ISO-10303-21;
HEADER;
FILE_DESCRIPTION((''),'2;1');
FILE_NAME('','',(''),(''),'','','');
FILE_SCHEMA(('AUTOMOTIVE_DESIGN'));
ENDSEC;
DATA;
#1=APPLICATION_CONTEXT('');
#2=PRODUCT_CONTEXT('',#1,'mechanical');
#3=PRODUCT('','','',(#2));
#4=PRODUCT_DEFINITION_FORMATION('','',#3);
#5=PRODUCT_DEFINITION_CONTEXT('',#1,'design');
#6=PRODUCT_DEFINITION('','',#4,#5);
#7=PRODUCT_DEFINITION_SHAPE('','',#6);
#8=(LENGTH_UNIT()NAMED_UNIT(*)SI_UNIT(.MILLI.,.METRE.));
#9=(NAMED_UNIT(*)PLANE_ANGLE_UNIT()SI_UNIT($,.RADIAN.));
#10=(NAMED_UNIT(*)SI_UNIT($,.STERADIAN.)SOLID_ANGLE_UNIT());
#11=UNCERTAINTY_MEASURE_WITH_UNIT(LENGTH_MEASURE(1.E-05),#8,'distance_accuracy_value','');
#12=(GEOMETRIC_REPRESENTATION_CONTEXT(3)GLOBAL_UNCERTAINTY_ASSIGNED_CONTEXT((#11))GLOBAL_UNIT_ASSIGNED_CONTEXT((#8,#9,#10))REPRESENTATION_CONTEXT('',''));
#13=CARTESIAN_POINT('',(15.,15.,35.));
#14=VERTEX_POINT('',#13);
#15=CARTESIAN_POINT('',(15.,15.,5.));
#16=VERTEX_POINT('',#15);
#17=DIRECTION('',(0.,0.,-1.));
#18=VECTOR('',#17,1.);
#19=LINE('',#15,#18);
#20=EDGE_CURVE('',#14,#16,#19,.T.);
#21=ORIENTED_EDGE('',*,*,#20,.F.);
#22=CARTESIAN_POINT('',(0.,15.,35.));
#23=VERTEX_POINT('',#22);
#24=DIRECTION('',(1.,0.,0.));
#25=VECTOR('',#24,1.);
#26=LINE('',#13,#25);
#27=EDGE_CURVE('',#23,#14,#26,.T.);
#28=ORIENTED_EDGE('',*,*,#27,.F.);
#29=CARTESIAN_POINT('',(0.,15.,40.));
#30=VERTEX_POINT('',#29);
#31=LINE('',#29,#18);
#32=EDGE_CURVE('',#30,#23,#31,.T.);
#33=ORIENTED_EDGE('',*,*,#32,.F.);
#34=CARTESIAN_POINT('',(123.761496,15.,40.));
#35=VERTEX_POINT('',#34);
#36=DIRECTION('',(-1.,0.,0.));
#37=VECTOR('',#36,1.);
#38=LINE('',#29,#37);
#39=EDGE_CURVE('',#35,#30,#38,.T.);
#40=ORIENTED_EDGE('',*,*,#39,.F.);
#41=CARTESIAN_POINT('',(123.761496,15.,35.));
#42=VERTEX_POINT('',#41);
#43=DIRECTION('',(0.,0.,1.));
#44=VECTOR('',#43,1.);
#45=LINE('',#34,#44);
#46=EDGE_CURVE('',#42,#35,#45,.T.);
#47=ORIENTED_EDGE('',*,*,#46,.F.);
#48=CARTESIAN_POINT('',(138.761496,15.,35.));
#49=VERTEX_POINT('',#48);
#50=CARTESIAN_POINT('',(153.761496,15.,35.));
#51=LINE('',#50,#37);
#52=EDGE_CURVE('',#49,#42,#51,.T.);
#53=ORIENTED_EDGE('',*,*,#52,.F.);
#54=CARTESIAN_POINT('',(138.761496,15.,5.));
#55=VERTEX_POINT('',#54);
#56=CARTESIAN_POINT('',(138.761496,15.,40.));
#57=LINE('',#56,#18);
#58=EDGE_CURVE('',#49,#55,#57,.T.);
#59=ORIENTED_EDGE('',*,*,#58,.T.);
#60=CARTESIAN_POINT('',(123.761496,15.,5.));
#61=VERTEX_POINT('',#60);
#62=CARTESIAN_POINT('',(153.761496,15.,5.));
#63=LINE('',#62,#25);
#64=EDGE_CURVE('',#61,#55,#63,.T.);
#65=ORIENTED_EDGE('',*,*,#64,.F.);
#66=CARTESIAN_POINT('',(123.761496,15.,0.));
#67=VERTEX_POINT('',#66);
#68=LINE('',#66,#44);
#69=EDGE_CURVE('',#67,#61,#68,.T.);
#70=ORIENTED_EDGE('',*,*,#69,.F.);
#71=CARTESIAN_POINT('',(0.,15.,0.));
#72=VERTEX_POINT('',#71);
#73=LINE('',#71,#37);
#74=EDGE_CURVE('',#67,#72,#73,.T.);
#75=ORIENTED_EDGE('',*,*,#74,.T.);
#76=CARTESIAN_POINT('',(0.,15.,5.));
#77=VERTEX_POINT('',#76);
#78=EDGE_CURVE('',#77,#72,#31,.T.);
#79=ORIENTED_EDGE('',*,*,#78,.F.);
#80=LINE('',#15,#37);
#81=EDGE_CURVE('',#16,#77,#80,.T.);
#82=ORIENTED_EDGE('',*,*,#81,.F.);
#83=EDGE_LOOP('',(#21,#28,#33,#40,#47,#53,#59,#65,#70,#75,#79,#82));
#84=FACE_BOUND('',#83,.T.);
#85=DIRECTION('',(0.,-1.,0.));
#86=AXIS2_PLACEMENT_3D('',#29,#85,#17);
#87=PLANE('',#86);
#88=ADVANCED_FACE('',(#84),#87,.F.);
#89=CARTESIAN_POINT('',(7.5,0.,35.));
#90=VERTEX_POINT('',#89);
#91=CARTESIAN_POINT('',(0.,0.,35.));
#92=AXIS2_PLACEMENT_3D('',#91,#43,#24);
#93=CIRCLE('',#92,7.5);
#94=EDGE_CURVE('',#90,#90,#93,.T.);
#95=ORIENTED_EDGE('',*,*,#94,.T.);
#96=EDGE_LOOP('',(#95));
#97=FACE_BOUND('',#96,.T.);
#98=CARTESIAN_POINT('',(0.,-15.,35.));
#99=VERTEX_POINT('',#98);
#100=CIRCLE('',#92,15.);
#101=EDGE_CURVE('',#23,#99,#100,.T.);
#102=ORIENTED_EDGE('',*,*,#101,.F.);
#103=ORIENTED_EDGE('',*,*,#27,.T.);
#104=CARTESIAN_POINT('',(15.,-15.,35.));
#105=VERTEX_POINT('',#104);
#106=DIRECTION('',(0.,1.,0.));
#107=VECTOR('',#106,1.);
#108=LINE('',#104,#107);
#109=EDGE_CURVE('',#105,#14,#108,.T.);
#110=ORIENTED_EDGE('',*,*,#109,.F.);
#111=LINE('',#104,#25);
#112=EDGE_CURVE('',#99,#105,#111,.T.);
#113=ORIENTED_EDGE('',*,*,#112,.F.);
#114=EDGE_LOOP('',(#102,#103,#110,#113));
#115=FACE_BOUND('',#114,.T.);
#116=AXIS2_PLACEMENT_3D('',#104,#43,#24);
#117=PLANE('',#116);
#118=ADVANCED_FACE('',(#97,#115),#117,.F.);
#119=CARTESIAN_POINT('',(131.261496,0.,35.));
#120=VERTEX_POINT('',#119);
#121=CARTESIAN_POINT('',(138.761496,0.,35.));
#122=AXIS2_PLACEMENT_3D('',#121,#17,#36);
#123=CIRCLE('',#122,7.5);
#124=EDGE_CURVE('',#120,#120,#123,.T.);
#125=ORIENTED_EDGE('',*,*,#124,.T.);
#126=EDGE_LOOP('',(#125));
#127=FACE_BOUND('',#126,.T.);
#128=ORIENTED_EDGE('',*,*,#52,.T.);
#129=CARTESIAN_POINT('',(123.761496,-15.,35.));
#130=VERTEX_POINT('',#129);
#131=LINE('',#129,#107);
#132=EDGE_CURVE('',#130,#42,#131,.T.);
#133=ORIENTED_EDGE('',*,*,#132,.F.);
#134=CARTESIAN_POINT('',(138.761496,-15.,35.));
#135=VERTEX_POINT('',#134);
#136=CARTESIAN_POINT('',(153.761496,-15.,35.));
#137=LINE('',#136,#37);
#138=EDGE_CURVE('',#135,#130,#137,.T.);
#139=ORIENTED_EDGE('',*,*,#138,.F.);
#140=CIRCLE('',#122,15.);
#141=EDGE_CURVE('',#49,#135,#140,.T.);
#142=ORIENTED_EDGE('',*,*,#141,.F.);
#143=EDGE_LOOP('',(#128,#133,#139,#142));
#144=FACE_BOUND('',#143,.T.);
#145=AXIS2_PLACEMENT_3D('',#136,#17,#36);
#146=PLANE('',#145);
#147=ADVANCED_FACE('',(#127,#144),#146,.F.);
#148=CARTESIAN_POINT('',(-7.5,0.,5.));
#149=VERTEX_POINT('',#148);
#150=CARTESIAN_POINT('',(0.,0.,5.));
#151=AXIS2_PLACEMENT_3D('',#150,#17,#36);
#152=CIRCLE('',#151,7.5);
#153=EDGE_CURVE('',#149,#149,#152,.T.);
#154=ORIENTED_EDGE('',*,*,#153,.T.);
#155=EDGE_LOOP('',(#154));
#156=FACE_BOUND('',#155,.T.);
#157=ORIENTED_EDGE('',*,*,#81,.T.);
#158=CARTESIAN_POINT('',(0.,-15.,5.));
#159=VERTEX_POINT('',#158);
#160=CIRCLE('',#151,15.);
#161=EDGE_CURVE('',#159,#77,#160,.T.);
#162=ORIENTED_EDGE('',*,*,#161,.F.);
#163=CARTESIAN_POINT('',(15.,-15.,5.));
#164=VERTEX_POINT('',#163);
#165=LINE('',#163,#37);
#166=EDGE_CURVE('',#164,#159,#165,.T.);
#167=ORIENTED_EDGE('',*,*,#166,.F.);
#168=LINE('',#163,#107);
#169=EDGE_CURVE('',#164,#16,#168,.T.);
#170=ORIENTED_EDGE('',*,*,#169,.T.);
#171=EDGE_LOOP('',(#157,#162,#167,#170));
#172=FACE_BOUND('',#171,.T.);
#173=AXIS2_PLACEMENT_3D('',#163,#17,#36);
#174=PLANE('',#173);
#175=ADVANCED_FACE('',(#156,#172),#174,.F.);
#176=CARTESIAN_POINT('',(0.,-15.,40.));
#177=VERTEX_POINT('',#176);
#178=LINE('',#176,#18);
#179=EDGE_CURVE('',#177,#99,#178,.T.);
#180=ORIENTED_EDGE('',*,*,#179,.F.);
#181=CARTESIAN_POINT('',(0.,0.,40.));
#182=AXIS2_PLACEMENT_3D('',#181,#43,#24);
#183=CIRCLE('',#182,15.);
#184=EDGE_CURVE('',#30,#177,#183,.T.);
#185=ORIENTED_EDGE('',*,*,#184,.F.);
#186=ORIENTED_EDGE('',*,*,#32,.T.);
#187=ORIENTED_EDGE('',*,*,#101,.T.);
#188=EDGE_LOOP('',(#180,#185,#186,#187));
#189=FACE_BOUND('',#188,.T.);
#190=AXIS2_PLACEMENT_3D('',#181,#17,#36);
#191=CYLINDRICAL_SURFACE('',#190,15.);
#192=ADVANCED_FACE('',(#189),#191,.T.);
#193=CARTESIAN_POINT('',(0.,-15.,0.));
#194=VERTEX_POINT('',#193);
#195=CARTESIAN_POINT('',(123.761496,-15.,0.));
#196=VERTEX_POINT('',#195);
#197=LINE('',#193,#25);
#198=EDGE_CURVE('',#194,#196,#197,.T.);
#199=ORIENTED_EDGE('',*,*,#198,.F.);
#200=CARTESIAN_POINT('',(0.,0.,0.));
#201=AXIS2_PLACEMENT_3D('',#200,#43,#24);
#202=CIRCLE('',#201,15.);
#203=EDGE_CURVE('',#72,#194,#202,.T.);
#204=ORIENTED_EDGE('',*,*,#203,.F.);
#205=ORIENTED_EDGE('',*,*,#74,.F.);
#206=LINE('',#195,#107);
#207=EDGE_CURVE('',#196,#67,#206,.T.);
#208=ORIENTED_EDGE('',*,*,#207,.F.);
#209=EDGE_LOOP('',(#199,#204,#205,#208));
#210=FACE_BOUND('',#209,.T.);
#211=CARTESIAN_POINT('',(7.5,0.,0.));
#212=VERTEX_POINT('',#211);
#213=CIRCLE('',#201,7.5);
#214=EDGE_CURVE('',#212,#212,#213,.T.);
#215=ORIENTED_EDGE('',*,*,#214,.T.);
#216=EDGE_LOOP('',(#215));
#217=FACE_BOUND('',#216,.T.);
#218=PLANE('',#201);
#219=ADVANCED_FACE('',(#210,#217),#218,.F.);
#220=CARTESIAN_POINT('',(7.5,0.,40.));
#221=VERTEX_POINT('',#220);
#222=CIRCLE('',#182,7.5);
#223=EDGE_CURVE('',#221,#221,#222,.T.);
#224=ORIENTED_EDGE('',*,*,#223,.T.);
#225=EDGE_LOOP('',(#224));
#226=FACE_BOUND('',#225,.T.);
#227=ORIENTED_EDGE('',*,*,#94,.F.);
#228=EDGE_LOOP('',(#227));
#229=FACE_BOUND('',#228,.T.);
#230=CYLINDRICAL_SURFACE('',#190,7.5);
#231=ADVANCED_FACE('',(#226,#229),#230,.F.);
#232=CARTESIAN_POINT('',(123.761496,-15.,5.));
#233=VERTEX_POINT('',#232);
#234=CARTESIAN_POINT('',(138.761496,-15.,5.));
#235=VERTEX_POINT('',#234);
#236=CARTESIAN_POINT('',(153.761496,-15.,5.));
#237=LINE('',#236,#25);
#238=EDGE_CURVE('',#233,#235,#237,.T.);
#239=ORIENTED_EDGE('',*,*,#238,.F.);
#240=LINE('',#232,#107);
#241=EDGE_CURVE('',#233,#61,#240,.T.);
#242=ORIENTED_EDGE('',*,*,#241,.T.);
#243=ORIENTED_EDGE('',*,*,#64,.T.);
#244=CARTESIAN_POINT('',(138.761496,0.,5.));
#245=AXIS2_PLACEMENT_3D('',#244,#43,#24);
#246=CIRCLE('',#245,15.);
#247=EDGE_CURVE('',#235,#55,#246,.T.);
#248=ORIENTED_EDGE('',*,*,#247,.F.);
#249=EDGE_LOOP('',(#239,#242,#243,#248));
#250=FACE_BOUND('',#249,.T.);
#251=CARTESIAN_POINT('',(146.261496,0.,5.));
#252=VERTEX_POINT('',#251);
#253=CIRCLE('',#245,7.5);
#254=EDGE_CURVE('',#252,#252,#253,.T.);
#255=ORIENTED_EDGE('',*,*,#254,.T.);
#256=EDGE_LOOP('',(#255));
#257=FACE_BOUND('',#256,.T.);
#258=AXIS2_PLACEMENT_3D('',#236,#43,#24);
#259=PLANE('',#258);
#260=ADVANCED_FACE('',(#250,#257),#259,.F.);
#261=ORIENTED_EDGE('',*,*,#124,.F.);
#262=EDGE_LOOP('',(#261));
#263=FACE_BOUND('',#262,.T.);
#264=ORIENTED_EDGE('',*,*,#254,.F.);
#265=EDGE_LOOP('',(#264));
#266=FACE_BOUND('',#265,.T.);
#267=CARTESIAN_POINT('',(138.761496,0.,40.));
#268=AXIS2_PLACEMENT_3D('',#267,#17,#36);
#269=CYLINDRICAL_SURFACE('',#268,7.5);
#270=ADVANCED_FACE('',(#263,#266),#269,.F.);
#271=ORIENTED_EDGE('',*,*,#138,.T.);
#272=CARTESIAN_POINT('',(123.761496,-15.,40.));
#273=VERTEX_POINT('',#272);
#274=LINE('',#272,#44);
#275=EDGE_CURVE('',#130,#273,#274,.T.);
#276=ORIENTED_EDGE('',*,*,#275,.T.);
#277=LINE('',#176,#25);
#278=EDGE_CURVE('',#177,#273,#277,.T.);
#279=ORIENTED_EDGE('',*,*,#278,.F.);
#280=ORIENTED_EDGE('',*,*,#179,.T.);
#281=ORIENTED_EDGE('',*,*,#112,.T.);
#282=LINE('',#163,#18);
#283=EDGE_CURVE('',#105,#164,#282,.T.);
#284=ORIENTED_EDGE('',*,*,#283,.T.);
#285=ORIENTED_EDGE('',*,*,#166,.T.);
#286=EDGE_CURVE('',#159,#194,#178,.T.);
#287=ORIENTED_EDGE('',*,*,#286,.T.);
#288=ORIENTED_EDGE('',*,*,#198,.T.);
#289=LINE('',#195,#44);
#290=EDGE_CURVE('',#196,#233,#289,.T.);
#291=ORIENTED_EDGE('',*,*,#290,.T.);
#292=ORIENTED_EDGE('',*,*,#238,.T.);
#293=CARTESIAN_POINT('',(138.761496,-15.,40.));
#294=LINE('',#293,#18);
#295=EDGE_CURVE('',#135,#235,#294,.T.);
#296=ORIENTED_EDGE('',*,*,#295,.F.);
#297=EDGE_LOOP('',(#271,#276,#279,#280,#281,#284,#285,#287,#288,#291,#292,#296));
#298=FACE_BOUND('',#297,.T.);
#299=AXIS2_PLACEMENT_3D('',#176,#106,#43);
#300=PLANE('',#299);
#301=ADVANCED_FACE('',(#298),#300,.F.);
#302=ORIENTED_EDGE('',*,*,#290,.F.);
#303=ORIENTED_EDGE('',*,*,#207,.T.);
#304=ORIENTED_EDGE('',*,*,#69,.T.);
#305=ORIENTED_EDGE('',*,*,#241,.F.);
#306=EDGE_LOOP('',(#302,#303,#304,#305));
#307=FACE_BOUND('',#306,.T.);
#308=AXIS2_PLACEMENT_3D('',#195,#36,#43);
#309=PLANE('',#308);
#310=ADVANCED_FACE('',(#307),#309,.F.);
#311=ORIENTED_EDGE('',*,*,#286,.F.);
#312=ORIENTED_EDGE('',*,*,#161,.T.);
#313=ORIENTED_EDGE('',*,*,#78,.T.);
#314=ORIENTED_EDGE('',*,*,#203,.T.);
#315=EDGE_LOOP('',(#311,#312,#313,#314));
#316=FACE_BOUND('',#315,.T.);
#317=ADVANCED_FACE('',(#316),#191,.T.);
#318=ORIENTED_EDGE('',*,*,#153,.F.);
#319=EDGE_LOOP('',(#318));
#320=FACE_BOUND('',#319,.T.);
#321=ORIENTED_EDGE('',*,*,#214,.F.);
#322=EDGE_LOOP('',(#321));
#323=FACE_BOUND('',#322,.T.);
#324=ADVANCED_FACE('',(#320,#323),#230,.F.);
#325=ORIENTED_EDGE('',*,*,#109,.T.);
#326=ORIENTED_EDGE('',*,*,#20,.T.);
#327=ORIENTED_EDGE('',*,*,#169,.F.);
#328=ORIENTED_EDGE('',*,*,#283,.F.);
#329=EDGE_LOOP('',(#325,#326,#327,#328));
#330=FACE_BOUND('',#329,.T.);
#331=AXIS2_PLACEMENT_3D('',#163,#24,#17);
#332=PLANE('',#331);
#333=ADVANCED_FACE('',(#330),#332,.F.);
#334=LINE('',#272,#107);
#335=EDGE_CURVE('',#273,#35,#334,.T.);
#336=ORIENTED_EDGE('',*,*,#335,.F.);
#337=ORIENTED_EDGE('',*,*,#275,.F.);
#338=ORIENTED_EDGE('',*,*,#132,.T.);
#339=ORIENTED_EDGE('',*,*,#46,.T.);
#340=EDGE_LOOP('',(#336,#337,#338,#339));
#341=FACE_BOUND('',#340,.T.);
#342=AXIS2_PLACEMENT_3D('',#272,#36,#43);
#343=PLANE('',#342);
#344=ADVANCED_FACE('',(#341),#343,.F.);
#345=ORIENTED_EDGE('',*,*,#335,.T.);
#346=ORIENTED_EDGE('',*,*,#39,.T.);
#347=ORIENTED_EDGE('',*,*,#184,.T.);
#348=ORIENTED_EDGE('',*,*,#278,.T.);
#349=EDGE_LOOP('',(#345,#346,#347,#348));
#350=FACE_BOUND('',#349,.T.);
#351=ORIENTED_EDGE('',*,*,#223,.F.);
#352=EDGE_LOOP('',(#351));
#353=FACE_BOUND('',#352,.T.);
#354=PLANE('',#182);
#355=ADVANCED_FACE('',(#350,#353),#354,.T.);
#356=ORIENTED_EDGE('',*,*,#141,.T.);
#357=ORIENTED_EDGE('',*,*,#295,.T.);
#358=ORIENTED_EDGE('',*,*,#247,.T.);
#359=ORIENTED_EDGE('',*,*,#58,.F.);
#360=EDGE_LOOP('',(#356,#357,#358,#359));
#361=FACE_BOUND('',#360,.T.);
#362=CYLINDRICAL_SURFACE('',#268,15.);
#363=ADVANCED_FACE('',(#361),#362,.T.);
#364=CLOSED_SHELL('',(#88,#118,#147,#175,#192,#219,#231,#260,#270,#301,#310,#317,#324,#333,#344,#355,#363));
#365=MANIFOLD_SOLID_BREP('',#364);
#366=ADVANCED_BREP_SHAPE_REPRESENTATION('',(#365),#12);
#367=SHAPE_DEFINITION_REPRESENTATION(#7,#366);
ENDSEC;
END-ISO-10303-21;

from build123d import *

# Parameters (mm, degrees)
SKETCH1_R           = 7.5
BOSS_EXTRUDE1_DEPTH = 40
SKETCH2_W           = 30
SKETCH2_H           = 30
SKETCH2_H_2         = 5
CUT_EXTRUDE1_DEPTH  = 162.686727154


with BuildPart() as part:
    # Sketch1 → Boss-Extrude1 (new body)
    with BuildSketch(Plane.XY):
        with BuildLine():
            Line((0, 15), (138.761496278, 15))
            ThreePointArc((138.761496278, 15), (153.761496278, 0), (138.761496278, -15))
            Line((138.761496278, -15), (0, -15))
            ThreePointArc((0, -15), (-15, 0), (0, 15))
        make_face()
        Circle(SKETCH1_R, mode=Mode.SUBTRACT)
        with Locations((138.761496278, 0)):
            Circle(SKETCH1_R, mode=Mode.SUBTRACT)
    extrude(amount=BOSS_EXTRUDE1_DEPTH)

    # Sketch2 → Cut-Extrude1 (cut, through all)
    with BuildSketch(Plane(origin=(0, 15, 0), x_dir=(1, 0, 0), z_dir=(0, 1, 0))):
        with Locations((0, -20)):
            Rectangle(SKETCH2_W, SKETCH2_H)
        with Locations((138.761496278, -2.5)):
            Rectangle(SKETCH2_W, SKETCH2_H_2)
        with Locations((138.761496278, -37.5)):
            Rectangle(SKETCH2_W, SKETCH2_H_2)
    extrude(amount=-CUT_EXTRUDE1_DEPTH, mode=Mode.SUBTRACT)


solid = part.part
